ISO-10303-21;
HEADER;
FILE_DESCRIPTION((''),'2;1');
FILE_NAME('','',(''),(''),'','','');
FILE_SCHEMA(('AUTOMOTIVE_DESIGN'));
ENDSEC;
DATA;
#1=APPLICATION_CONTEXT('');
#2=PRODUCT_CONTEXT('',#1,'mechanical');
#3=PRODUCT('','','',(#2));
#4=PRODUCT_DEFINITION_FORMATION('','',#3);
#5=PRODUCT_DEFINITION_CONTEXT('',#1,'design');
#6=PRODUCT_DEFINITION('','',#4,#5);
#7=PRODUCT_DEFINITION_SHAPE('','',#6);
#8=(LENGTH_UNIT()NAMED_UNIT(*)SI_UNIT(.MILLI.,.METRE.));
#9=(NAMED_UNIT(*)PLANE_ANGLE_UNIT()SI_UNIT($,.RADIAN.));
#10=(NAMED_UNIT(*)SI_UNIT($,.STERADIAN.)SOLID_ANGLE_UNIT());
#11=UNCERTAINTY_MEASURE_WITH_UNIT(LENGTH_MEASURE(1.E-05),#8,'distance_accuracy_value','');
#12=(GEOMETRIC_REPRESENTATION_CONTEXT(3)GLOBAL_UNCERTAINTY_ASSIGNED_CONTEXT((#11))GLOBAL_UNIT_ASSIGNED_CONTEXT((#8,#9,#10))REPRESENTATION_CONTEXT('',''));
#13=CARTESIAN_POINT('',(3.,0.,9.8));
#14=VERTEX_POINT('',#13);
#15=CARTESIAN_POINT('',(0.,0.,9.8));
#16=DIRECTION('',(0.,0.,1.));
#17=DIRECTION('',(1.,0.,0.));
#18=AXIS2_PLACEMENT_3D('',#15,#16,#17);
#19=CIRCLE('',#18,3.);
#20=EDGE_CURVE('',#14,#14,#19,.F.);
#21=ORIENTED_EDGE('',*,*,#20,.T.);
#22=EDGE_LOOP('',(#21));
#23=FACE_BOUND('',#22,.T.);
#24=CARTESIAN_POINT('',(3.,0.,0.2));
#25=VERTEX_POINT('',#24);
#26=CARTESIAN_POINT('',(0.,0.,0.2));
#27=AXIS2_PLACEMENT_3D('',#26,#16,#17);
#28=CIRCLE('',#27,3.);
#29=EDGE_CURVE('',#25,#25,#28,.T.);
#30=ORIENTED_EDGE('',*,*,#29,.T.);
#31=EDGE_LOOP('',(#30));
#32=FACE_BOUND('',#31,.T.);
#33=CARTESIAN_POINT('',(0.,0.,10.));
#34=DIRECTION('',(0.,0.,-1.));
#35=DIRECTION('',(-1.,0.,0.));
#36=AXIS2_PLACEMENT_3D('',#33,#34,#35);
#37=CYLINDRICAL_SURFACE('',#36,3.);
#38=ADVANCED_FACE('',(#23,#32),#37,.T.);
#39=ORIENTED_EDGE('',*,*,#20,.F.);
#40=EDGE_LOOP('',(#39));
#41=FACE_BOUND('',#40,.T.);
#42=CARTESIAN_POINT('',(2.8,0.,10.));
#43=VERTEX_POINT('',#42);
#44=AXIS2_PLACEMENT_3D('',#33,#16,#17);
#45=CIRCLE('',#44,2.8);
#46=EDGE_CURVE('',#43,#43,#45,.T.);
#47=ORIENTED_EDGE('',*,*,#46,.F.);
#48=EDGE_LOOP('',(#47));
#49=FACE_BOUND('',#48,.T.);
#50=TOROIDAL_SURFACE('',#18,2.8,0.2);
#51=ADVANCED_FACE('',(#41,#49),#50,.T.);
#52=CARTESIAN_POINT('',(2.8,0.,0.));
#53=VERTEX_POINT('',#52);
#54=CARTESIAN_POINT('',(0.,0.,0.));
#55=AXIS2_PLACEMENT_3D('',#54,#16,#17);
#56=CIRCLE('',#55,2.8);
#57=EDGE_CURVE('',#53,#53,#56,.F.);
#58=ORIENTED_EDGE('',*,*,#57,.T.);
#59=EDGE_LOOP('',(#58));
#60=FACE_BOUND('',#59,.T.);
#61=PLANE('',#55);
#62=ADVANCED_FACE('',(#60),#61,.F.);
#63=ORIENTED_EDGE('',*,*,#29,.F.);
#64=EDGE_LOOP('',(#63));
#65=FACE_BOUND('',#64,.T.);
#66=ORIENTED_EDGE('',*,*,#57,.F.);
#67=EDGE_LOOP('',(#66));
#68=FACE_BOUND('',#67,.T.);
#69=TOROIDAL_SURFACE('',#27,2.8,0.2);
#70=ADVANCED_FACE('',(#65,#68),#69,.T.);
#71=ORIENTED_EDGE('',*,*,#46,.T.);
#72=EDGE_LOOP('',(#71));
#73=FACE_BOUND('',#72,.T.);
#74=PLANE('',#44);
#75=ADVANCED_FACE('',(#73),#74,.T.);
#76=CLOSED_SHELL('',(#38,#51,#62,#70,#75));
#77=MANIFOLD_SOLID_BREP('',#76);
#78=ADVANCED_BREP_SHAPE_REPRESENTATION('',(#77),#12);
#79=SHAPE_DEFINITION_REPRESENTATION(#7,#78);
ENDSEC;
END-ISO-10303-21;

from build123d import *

# Parameters (mm, degrees)
SKETCH_1_R      = 3
EXTRUDE_1_DEPTH = 10
FILLET_1_R      = 0.2


with BuildPart() as part:
    # 스케치1 → 보스-돌출1 (new body)
    with BuildSketch(Plane.XY):
        Circle(SKETCH_1_R)
    extrude(amount=EXTRUDE_1_DEPTH)

    # 필렛1
    fillet_1_edges = [part.edges().sort_by_distance(p)[0] for p in [
        (-3, 0, 0),
        (-3, 0, 10),
    ]]
    fillet(fillet_1_edges, radius=FILLET_1_R)


solid = part.part
